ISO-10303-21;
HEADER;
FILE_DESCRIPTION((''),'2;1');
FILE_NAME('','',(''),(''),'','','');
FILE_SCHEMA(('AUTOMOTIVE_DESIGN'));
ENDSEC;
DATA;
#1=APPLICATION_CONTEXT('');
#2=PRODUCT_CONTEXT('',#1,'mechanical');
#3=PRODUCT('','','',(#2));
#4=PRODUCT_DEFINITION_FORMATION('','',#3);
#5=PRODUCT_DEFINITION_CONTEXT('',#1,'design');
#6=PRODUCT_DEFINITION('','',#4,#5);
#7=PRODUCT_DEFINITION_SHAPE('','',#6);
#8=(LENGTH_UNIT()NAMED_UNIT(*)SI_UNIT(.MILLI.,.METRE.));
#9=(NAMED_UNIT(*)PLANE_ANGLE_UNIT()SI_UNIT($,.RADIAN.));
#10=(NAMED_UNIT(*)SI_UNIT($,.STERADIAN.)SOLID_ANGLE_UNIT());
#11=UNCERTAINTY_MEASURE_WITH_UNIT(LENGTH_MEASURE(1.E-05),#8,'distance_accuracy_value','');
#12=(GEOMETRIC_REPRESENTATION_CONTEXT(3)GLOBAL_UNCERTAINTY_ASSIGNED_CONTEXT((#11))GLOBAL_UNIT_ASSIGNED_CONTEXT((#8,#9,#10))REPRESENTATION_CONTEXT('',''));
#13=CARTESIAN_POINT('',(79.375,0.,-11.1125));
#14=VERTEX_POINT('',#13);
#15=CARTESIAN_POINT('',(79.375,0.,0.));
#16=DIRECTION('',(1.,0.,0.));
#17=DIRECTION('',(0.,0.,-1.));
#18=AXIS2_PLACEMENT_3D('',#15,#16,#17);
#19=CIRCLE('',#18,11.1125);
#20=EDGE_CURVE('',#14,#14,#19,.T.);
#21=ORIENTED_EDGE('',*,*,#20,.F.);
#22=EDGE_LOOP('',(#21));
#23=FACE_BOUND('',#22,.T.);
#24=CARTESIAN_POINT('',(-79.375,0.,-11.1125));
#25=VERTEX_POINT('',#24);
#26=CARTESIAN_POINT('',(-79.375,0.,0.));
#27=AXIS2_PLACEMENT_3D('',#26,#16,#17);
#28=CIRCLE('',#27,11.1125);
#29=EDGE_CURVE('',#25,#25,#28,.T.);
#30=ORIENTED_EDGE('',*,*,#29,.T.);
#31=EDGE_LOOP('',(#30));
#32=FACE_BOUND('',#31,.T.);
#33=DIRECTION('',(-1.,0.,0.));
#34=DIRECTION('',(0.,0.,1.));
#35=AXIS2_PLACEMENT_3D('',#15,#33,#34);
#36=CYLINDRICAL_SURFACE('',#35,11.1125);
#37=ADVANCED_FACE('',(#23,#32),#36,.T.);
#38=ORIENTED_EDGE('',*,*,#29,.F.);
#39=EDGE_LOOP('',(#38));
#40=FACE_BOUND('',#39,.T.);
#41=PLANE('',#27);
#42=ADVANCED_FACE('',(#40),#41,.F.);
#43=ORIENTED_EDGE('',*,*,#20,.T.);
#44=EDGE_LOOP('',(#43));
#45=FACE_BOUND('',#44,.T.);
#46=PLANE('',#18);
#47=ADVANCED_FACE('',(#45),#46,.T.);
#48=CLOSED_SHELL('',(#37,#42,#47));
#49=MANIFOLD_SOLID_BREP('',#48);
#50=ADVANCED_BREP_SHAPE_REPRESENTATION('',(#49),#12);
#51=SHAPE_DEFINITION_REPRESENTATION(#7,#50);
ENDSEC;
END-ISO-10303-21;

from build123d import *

# Parameters (mm, degrees)
SKETCH1_R           = 11.1125
BOSS_EXTRUDE1_DEPTH = 79.375


with BuildPart() as part:
    # Sketch1 → Boss-Extrude1 (new body, symmetric)
    with BuildSketch(Plane(origin=(0, 0, 0), x_dir=(0, 0, -1), z_dir=(1, 0, 0))):
        Circle(SKETCH1_R)
    extrude(amount=BOSS_EXTRUDE1_DEPTH, both=True)


solid = part.part
